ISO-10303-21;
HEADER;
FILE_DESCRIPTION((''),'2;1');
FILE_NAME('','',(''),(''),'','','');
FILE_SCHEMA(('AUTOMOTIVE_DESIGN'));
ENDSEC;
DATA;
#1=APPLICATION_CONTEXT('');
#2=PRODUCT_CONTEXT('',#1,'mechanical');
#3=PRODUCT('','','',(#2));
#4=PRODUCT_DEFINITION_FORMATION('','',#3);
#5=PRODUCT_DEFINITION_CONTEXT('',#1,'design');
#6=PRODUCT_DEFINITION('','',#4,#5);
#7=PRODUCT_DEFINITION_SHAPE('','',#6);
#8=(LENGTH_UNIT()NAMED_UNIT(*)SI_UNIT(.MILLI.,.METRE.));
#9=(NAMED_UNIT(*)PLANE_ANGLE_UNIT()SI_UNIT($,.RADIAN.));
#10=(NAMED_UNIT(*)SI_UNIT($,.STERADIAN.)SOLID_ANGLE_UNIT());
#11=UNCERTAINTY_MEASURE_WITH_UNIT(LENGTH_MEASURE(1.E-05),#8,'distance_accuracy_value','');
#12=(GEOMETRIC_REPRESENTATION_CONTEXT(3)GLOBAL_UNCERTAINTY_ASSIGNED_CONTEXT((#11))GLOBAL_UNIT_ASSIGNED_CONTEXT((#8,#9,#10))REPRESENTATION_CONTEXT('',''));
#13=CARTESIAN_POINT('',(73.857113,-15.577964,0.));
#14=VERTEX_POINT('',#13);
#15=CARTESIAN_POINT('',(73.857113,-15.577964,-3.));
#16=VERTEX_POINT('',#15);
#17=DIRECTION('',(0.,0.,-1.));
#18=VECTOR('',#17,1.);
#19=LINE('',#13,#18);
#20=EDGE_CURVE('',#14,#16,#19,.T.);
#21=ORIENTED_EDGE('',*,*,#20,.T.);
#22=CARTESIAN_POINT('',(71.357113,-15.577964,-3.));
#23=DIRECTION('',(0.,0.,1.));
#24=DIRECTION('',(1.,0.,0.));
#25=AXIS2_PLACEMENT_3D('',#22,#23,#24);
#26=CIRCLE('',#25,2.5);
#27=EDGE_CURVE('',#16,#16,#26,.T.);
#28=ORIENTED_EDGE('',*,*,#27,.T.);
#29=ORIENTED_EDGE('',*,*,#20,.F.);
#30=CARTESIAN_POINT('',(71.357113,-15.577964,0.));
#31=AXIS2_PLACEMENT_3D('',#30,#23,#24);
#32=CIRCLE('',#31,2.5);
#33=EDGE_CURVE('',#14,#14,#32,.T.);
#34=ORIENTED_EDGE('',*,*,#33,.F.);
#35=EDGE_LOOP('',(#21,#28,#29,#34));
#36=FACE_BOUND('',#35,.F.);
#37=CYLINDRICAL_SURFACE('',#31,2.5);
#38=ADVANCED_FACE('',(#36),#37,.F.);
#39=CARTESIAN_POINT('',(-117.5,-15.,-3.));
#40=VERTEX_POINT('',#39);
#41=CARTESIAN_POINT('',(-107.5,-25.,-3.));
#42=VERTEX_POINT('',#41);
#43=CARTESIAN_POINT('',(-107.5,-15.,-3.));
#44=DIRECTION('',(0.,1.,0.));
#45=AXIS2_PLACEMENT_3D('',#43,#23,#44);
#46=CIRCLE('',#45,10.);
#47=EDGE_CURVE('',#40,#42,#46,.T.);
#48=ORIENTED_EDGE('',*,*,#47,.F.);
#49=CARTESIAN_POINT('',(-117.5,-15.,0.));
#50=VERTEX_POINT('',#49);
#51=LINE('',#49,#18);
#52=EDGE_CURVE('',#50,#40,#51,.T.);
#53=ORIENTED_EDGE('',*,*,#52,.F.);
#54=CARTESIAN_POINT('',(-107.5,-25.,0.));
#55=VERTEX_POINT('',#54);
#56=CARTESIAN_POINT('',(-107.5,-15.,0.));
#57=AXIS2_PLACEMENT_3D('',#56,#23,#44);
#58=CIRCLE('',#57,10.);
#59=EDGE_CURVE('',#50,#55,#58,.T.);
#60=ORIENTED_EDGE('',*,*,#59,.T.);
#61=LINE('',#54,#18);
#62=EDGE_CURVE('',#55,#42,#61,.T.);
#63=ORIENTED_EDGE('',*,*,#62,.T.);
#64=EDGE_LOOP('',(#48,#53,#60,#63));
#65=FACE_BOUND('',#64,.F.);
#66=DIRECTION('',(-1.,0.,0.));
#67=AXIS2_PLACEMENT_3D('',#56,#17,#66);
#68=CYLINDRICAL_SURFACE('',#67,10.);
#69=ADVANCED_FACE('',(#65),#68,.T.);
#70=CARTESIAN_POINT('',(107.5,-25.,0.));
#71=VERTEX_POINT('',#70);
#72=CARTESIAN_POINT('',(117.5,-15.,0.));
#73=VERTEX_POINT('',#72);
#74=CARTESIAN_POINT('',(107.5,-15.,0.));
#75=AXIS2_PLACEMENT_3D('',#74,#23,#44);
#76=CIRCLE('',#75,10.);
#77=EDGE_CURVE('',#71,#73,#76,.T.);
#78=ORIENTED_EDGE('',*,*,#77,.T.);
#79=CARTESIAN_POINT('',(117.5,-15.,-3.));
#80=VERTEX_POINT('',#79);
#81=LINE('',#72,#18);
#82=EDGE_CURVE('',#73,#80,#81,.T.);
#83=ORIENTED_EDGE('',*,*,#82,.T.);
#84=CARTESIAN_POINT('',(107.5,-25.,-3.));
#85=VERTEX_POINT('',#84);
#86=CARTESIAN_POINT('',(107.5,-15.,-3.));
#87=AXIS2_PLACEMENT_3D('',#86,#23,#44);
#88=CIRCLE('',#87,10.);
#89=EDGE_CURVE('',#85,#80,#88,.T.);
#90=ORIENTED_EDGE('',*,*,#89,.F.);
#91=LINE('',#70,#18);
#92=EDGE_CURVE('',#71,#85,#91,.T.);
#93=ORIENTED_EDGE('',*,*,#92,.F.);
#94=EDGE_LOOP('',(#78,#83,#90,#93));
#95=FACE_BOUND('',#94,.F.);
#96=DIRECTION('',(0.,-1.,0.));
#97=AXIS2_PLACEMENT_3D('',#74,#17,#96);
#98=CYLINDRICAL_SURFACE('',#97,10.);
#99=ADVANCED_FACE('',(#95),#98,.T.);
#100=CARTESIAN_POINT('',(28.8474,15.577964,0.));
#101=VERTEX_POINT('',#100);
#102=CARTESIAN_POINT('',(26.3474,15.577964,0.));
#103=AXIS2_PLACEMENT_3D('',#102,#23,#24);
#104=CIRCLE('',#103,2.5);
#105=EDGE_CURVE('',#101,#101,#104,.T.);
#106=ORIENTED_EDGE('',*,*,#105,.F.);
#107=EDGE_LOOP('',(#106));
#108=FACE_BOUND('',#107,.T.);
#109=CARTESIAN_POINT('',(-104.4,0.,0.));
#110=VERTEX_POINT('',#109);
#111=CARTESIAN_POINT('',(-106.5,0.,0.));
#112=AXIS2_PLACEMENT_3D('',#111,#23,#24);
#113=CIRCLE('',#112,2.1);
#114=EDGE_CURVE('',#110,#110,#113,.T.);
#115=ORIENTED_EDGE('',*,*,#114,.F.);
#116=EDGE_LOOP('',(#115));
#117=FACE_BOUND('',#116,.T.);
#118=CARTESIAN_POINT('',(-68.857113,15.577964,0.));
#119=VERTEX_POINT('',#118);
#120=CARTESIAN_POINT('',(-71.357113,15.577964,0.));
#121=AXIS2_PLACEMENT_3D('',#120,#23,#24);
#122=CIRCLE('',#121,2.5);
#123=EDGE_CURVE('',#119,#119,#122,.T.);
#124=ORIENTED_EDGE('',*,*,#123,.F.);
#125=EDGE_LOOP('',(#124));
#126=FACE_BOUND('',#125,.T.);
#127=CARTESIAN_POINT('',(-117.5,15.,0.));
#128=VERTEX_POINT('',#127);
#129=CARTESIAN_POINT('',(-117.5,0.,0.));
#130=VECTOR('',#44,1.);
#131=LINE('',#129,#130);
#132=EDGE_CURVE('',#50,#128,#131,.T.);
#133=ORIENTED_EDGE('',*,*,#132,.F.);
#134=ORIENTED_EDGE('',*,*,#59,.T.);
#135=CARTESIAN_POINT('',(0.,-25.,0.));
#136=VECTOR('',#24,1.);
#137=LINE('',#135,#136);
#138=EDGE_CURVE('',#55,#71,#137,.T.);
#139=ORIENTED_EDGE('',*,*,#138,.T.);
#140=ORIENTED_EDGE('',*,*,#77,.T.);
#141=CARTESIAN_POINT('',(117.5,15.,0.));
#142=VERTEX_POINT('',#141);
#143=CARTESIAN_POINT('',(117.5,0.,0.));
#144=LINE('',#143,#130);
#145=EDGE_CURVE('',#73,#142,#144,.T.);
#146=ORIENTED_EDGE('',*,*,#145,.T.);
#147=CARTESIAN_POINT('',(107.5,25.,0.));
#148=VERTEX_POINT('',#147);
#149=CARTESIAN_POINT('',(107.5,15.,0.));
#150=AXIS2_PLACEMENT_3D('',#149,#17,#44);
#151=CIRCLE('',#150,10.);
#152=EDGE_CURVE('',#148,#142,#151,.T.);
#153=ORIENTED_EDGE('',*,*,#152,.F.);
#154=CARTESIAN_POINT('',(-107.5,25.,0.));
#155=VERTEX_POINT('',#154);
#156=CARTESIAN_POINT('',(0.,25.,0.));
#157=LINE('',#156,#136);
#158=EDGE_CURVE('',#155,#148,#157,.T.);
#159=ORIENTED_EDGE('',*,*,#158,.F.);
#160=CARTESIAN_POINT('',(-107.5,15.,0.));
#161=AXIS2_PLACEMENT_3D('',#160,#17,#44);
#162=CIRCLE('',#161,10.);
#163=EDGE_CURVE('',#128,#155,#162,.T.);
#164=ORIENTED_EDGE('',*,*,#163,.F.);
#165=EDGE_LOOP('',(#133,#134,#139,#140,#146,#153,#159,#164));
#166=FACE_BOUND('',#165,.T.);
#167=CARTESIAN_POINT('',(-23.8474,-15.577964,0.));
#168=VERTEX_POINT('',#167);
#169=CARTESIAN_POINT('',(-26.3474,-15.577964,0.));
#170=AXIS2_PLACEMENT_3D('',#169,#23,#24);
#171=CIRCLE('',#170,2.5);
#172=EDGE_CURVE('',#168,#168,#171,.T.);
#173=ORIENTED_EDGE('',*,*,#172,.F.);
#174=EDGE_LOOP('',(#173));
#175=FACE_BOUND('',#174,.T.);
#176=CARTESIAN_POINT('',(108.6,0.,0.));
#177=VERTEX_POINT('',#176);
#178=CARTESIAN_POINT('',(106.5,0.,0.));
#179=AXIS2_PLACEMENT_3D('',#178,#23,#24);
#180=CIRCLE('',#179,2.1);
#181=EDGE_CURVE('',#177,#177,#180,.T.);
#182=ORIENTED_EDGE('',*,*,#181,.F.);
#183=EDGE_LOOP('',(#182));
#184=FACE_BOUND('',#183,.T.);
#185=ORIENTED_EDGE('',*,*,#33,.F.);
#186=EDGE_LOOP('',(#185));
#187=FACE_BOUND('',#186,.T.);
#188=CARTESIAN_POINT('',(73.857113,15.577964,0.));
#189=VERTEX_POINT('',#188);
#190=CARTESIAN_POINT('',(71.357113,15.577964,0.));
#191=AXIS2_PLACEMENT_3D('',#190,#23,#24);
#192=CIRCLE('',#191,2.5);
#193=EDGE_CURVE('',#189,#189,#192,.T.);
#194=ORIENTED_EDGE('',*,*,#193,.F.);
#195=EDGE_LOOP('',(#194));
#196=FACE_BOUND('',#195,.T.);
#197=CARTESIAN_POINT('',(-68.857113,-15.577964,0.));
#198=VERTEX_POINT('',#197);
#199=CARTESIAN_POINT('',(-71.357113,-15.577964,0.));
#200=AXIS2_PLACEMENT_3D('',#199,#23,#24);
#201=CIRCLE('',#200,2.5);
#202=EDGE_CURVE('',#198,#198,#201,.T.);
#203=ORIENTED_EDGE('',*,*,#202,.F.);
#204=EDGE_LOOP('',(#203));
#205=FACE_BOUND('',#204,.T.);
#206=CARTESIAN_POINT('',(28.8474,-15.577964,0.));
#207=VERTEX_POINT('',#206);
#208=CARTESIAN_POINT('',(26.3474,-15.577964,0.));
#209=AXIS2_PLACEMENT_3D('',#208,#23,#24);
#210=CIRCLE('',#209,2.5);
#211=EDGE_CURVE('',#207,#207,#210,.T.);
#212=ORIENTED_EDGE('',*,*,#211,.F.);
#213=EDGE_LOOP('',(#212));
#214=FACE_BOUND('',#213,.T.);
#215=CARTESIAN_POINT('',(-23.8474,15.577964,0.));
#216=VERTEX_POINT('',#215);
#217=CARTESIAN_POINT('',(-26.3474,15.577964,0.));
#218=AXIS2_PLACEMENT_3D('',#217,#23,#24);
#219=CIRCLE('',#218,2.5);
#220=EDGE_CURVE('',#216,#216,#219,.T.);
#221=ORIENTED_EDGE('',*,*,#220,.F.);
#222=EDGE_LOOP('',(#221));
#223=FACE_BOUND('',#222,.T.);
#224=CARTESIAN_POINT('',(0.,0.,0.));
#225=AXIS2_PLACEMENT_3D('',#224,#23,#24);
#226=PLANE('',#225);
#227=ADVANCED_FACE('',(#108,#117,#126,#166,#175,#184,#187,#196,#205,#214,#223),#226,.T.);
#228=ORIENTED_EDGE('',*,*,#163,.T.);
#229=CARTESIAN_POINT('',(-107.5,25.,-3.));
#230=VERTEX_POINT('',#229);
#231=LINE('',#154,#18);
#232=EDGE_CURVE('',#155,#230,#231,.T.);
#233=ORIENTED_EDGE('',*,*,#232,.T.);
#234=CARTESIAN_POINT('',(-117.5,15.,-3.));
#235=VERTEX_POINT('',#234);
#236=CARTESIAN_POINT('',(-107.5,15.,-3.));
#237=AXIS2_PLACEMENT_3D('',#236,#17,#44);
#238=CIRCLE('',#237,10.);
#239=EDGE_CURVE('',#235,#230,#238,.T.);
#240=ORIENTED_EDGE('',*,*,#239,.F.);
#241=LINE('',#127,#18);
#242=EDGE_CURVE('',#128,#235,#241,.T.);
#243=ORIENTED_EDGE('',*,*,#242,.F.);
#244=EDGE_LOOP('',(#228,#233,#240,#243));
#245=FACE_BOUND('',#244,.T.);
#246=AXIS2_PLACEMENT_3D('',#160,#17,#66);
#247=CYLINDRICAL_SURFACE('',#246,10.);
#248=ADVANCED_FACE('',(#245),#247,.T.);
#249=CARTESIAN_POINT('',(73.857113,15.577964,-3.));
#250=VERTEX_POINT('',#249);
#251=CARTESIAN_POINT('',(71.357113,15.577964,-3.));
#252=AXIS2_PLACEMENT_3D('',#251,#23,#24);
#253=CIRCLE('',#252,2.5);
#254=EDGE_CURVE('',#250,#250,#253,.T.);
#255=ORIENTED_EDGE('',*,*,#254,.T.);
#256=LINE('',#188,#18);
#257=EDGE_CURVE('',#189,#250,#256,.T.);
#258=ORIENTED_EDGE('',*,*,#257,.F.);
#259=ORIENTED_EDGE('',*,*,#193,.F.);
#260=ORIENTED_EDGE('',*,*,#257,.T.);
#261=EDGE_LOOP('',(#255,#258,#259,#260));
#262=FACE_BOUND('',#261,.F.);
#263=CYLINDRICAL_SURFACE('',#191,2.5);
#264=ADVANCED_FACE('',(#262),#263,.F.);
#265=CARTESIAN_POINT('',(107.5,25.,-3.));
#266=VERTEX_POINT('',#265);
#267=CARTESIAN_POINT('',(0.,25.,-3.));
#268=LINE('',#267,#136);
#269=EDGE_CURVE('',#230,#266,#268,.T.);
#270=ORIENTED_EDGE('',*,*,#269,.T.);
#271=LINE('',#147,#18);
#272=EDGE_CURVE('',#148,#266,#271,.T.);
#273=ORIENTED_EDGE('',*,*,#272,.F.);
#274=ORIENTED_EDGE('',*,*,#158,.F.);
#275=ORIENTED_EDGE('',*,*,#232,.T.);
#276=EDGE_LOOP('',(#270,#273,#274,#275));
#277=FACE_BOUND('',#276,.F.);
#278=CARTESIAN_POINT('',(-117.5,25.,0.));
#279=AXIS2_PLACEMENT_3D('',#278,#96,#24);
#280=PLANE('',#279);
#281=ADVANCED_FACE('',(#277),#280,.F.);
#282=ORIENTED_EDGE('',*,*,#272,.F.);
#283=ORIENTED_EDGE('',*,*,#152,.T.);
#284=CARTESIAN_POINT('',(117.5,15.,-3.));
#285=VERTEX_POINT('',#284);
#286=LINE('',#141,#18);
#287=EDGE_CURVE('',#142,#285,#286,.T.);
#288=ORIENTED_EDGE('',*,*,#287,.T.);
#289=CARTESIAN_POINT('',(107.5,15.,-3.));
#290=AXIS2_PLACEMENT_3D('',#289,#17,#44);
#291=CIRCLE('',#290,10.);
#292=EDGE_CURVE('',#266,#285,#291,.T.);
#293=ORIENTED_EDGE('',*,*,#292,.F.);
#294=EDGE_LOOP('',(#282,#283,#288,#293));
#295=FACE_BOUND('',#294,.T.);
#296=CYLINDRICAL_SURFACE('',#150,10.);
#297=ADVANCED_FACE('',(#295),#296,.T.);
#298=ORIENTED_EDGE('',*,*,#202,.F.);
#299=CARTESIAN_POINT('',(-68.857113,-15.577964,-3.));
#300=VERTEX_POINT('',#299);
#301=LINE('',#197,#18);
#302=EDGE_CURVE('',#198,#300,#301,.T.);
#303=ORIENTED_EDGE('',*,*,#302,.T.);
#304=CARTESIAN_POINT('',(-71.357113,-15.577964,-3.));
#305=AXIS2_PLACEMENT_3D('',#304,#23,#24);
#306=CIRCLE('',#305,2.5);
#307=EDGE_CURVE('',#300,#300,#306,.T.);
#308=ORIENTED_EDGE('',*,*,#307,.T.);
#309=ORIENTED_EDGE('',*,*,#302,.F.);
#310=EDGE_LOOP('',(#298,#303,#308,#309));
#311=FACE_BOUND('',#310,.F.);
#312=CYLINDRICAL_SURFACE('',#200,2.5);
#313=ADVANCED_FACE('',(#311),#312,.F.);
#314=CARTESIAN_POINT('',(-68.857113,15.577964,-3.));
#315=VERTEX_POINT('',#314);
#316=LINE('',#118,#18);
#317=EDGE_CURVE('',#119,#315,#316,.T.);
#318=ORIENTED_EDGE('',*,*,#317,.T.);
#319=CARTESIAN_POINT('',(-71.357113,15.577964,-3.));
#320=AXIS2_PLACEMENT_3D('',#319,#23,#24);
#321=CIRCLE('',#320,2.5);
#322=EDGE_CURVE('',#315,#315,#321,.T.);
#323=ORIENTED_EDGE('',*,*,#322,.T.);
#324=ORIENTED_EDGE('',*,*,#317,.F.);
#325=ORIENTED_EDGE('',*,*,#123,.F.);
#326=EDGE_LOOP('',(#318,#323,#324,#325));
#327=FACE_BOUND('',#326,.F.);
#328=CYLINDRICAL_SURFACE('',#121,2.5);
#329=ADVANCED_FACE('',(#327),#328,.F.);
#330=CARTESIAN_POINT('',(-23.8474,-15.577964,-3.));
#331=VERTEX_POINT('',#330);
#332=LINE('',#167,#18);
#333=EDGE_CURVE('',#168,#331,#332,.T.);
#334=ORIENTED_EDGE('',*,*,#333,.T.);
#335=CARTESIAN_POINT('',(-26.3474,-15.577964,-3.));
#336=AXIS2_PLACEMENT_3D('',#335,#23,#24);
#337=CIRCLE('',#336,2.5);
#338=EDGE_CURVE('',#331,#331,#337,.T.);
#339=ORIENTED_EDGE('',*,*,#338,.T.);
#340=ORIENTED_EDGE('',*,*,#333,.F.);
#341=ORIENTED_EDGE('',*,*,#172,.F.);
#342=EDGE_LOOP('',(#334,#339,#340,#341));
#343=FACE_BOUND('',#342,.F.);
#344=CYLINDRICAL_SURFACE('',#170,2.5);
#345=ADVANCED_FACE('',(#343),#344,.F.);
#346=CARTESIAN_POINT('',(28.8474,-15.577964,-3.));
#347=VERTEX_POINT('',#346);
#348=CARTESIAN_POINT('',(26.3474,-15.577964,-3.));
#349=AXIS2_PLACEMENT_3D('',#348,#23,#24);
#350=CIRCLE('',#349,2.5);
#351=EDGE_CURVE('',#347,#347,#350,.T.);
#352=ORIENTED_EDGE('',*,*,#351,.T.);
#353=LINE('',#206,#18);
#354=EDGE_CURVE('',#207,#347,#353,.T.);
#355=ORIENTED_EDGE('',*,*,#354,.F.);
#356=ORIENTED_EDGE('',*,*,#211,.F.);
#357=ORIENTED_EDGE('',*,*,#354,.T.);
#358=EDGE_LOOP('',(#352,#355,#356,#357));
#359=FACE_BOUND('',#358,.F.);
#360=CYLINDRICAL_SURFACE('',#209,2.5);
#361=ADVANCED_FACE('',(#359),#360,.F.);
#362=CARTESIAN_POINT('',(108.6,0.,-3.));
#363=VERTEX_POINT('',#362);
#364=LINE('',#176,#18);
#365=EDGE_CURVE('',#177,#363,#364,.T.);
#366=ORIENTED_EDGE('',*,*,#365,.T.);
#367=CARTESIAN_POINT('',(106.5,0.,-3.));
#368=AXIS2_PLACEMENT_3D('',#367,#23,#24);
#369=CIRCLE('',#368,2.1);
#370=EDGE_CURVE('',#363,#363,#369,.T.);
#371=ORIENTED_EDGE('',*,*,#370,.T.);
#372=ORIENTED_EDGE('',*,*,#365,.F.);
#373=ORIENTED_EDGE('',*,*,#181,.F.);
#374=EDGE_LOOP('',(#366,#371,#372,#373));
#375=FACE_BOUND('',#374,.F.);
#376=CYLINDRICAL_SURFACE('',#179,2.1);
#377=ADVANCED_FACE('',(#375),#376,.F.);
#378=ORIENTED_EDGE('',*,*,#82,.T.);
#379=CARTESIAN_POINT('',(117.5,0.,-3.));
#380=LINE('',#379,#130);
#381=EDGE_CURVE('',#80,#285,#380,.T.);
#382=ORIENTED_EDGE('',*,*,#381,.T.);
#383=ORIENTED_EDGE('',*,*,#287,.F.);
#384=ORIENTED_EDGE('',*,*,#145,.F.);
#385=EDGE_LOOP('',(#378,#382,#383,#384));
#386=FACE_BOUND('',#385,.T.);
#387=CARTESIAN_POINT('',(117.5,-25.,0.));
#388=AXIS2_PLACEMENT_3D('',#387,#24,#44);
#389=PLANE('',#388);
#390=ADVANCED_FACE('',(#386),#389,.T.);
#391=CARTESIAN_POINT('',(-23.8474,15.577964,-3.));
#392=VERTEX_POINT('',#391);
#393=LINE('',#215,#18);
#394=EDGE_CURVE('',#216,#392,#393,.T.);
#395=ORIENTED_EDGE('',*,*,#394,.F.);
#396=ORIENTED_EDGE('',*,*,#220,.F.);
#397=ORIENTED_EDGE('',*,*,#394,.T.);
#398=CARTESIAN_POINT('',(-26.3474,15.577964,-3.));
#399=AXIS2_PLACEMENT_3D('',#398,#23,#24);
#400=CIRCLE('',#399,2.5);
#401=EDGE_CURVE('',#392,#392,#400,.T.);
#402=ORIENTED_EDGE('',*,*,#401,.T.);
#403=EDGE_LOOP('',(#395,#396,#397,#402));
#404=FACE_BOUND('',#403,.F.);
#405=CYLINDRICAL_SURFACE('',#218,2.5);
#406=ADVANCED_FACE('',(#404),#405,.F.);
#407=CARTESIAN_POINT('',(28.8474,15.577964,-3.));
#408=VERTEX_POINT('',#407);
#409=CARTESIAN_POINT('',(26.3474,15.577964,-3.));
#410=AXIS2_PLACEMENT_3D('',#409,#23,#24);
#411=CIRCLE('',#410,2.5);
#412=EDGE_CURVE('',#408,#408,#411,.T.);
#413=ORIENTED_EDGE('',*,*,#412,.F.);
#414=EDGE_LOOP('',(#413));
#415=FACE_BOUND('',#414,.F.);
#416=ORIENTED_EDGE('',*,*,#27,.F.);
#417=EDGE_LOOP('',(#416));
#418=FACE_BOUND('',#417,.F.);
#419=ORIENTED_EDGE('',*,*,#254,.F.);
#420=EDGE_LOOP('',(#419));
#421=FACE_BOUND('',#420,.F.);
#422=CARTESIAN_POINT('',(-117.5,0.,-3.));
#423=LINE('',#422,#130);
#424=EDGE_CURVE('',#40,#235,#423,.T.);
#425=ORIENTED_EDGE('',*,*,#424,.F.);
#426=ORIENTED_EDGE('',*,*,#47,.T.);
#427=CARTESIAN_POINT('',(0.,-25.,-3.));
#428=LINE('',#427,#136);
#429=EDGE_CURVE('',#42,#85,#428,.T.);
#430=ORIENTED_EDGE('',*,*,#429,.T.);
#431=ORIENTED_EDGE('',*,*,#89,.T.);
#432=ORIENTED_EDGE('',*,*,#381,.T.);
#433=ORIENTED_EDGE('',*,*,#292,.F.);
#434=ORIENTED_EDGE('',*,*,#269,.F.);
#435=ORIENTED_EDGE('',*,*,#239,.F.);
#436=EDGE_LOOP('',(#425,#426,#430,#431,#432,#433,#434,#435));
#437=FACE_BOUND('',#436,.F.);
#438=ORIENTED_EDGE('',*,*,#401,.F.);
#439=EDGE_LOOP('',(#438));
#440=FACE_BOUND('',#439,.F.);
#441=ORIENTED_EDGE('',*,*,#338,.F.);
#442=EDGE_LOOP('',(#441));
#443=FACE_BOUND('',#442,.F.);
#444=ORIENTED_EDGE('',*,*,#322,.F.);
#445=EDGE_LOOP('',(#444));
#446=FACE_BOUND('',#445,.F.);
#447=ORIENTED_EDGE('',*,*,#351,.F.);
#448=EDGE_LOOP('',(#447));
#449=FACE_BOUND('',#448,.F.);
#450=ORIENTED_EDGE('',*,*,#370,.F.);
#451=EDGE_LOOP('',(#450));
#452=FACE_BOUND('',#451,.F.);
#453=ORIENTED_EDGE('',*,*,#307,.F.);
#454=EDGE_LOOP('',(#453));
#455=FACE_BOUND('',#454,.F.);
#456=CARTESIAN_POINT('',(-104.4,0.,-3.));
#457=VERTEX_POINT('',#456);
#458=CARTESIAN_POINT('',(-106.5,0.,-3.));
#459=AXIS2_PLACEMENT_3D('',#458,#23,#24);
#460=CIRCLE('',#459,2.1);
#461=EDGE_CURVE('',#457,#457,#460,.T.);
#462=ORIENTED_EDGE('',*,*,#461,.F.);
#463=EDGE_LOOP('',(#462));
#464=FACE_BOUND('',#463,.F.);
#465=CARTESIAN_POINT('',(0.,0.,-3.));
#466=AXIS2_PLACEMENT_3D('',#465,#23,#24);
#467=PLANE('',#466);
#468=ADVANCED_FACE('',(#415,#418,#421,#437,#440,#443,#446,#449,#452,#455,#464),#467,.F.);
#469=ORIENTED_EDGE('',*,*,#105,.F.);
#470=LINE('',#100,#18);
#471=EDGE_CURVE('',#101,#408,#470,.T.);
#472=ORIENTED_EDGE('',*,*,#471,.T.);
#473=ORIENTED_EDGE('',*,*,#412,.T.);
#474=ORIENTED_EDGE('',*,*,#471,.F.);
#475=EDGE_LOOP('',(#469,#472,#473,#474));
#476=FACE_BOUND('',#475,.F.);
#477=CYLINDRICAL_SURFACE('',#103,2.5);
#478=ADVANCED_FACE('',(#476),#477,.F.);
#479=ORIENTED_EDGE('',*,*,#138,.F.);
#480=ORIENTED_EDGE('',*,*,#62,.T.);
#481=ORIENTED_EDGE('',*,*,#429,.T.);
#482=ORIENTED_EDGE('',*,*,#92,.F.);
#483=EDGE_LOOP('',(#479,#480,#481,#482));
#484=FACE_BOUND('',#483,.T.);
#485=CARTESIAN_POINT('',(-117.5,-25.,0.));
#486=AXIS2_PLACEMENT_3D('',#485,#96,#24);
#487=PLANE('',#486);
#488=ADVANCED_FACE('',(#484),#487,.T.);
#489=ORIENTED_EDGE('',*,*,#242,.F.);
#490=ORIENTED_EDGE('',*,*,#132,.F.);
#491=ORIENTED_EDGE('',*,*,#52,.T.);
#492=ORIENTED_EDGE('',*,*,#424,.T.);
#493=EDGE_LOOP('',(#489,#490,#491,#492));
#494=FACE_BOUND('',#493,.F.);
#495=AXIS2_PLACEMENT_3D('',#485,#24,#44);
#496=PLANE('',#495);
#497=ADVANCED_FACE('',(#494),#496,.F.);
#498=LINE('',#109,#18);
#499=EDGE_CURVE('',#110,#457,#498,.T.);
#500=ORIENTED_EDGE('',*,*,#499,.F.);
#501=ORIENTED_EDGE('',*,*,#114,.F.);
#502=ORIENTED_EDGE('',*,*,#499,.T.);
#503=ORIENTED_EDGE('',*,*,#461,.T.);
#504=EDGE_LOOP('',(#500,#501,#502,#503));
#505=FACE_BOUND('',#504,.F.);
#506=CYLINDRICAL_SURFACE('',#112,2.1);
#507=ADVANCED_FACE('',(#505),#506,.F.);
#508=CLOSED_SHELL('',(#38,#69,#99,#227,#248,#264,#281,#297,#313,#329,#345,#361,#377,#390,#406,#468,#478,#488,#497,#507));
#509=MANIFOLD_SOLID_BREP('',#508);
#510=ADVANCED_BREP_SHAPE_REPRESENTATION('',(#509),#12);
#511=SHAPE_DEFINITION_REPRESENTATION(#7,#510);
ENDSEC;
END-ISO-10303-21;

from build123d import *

# Parameters (mm, degrees)
F0_W     = 235
F0_H     = 50
F0_R     = 2.1
F1_DEPTH = 3
F2_R     = 10
F3_R     = 2.5
F4_DEPTH = 3.001


with BuildPart() as f1:
    # F0 (on Top) → F1 (new body)
    with BuildSketch(Plane.XY):
        Rectangle(F0_W, F0_H)
        with Locations((-106.5, 0)):
            Circle(F0_R, mode=Mode.SUBTRACT)
        with Locations((106.5, 0)):
            Circle(F0_R, mode=Mode.SUBTRACT)
    extrude(amount=-F1_DEPTH)

    # F2
    f2_edges = [f1.edges().sort_by_distance(p)[0] for p in [
        (117.5, 25, -1.5),
        (117.5, -25, -1.5),
        (-117.5, -25, -1.5),
        (-117.5, 25, -1.5),
    ]]
    fillet(f2_edges, radius=F2_R)

    # F3 (on face) → F4 (cut, through all)
    with BuildSketch(Plane.XY):
        with Locations((-71.357113, 15.577964)):
            Circle(F3_R)
        with Locations((-26.3474, 15.577964)):
            Circle(F3_R)
        with Locations((71.357113, 15.577964)):
            Circle(F3_R)
        with Locations((26.3474, 15.577964)):
            Circle(F3_R)
        with Locations((71.357113, -15.577964)):
            Circle(F3_R)
        with Locations((-26.3474, -15.577964)):
            Circle(F3_R)
        with Locations((-71.357113, -15.577964)):
            Circle(F3_R)
        with Locations((26.3474, -15.577964)):
            Circle(F3_R)
    extrude(amount=-F4_DEPTH, mode=Mode.SUBTRACT)


solid = f1.part
